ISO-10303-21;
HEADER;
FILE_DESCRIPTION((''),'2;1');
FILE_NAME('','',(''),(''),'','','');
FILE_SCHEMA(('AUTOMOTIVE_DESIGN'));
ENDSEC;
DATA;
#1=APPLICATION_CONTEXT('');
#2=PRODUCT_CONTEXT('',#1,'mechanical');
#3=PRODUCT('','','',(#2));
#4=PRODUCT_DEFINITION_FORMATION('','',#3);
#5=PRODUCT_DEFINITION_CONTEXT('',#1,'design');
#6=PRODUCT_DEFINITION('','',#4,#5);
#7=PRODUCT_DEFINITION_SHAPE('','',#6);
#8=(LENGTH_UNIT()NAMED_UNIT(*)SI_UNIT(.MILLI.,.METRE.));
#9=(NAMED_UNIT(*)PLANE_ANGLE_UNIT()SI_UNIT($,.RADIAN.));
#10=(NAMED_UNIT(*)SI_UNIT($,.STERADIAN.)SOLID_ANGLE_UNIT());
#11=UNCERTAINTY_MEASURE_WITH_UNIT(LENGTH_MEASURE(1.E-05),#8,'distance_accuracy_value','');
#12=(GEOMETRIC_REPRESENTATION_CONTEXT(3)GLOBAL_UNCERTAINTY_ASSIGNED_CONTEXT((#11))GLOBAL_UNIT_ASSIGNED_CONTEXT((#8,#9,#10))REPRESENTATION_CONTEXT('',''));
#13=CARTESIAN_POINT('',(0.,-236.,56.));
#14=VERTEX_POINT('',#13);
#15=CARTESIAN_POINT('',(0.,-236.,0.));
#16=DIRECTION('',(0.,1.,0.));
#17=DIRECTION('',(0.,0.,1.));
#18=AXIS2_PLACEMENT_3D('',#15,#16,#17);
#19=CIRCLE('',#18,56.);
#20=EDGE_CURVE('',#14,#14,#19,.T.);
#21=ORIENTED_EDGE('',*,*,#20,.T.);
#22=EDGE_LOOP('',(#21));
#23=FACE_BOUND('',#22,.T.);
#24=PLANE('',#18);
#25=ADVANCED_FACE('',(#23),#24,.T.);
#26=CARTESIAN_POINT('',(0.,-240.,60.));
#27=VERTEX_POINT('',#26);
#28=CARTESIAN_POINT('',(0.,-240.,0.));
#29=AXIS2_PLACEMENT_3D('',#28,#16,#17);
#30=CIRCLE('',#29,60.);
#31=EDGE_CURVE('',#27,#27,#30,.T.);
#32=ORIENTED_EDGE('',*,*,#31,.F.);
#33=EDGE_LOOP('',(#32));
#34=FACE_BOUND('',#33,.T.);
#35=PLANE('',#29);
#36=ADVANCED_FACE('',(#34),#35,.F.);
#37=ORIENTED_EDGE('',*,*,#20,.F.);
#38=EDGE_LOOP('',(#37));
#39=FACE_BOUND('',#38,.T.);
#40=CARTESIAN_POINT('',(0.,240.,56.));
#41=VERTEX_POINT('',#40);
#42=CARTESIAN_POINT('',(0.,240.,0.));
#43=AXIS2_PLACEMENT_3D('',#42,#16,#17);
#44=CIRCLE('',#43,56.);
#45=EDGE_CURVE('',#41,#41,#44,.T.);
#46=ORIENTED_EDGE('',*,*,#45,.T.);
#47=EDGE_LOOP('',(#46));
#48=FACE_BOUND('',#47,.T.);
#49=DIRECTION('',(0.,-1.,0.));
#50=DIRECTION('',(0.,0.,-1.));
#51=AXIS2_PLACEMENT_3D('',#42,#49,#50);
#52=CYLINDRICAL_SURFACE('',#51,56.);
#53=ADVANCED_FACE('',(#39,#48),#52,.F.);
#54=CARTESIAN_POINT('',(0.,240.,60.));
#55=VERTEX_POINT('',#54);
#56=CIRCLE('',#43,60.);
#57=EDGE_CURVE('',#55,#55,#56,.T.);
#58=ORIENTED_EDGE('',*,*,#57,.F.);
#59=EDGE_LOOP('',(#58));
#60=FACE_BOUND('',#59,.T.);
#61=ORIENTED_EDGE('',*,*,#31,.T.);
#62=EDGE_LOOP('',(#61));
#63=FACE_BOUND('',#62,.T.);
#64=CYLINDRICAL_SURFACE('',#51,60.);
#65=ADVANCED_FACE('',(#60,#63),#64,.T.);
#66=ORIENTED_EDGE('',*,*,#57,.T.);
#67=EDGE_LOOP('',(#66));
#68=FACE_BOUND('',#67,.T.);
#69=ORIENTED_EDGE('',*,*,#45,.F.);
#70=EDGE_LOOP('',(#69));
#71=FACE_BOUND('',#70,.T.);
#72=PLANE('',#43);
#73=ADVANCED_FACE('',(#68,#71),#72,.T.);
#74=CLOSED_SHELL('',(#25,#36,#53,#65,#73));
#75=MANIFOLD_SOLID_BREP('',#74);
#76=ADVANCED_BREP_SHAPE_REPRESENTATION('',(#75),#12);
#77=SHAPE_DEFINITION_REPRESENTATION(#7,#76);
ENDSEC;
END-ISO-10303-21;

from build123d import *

# Parameters (mm, degrees)
SKETCH_1_R      = 60
EXTRUDE_1_DEPTH = 240
SHELL_3_T       = -4


with BuildPart() as part:
    # 草图1 → 凸台-拉伸1 (new, symmetric)
    with BuildSketch(Plane(origin=(0, 0, 0), x_dir=(1, 0, 0), z_dir=(0, 1, 0))):
        with Locations(Location((0, 0, 0), (0, 0, 270))):
            Circle(SKETCH_1_R)
    extrude(amount=EXTRUDE_1_DEPTH, both=True)

    # 抽壳3
    shell_3_openings = [part.faces().sort_by_distance(p)[0] for p in [
        (0, 240, 0),
    ]]
    offset(amount=SHELL_3_T, openings=shell_3_openings, kind=Kind.INTERSECTION)


solid = part.part
